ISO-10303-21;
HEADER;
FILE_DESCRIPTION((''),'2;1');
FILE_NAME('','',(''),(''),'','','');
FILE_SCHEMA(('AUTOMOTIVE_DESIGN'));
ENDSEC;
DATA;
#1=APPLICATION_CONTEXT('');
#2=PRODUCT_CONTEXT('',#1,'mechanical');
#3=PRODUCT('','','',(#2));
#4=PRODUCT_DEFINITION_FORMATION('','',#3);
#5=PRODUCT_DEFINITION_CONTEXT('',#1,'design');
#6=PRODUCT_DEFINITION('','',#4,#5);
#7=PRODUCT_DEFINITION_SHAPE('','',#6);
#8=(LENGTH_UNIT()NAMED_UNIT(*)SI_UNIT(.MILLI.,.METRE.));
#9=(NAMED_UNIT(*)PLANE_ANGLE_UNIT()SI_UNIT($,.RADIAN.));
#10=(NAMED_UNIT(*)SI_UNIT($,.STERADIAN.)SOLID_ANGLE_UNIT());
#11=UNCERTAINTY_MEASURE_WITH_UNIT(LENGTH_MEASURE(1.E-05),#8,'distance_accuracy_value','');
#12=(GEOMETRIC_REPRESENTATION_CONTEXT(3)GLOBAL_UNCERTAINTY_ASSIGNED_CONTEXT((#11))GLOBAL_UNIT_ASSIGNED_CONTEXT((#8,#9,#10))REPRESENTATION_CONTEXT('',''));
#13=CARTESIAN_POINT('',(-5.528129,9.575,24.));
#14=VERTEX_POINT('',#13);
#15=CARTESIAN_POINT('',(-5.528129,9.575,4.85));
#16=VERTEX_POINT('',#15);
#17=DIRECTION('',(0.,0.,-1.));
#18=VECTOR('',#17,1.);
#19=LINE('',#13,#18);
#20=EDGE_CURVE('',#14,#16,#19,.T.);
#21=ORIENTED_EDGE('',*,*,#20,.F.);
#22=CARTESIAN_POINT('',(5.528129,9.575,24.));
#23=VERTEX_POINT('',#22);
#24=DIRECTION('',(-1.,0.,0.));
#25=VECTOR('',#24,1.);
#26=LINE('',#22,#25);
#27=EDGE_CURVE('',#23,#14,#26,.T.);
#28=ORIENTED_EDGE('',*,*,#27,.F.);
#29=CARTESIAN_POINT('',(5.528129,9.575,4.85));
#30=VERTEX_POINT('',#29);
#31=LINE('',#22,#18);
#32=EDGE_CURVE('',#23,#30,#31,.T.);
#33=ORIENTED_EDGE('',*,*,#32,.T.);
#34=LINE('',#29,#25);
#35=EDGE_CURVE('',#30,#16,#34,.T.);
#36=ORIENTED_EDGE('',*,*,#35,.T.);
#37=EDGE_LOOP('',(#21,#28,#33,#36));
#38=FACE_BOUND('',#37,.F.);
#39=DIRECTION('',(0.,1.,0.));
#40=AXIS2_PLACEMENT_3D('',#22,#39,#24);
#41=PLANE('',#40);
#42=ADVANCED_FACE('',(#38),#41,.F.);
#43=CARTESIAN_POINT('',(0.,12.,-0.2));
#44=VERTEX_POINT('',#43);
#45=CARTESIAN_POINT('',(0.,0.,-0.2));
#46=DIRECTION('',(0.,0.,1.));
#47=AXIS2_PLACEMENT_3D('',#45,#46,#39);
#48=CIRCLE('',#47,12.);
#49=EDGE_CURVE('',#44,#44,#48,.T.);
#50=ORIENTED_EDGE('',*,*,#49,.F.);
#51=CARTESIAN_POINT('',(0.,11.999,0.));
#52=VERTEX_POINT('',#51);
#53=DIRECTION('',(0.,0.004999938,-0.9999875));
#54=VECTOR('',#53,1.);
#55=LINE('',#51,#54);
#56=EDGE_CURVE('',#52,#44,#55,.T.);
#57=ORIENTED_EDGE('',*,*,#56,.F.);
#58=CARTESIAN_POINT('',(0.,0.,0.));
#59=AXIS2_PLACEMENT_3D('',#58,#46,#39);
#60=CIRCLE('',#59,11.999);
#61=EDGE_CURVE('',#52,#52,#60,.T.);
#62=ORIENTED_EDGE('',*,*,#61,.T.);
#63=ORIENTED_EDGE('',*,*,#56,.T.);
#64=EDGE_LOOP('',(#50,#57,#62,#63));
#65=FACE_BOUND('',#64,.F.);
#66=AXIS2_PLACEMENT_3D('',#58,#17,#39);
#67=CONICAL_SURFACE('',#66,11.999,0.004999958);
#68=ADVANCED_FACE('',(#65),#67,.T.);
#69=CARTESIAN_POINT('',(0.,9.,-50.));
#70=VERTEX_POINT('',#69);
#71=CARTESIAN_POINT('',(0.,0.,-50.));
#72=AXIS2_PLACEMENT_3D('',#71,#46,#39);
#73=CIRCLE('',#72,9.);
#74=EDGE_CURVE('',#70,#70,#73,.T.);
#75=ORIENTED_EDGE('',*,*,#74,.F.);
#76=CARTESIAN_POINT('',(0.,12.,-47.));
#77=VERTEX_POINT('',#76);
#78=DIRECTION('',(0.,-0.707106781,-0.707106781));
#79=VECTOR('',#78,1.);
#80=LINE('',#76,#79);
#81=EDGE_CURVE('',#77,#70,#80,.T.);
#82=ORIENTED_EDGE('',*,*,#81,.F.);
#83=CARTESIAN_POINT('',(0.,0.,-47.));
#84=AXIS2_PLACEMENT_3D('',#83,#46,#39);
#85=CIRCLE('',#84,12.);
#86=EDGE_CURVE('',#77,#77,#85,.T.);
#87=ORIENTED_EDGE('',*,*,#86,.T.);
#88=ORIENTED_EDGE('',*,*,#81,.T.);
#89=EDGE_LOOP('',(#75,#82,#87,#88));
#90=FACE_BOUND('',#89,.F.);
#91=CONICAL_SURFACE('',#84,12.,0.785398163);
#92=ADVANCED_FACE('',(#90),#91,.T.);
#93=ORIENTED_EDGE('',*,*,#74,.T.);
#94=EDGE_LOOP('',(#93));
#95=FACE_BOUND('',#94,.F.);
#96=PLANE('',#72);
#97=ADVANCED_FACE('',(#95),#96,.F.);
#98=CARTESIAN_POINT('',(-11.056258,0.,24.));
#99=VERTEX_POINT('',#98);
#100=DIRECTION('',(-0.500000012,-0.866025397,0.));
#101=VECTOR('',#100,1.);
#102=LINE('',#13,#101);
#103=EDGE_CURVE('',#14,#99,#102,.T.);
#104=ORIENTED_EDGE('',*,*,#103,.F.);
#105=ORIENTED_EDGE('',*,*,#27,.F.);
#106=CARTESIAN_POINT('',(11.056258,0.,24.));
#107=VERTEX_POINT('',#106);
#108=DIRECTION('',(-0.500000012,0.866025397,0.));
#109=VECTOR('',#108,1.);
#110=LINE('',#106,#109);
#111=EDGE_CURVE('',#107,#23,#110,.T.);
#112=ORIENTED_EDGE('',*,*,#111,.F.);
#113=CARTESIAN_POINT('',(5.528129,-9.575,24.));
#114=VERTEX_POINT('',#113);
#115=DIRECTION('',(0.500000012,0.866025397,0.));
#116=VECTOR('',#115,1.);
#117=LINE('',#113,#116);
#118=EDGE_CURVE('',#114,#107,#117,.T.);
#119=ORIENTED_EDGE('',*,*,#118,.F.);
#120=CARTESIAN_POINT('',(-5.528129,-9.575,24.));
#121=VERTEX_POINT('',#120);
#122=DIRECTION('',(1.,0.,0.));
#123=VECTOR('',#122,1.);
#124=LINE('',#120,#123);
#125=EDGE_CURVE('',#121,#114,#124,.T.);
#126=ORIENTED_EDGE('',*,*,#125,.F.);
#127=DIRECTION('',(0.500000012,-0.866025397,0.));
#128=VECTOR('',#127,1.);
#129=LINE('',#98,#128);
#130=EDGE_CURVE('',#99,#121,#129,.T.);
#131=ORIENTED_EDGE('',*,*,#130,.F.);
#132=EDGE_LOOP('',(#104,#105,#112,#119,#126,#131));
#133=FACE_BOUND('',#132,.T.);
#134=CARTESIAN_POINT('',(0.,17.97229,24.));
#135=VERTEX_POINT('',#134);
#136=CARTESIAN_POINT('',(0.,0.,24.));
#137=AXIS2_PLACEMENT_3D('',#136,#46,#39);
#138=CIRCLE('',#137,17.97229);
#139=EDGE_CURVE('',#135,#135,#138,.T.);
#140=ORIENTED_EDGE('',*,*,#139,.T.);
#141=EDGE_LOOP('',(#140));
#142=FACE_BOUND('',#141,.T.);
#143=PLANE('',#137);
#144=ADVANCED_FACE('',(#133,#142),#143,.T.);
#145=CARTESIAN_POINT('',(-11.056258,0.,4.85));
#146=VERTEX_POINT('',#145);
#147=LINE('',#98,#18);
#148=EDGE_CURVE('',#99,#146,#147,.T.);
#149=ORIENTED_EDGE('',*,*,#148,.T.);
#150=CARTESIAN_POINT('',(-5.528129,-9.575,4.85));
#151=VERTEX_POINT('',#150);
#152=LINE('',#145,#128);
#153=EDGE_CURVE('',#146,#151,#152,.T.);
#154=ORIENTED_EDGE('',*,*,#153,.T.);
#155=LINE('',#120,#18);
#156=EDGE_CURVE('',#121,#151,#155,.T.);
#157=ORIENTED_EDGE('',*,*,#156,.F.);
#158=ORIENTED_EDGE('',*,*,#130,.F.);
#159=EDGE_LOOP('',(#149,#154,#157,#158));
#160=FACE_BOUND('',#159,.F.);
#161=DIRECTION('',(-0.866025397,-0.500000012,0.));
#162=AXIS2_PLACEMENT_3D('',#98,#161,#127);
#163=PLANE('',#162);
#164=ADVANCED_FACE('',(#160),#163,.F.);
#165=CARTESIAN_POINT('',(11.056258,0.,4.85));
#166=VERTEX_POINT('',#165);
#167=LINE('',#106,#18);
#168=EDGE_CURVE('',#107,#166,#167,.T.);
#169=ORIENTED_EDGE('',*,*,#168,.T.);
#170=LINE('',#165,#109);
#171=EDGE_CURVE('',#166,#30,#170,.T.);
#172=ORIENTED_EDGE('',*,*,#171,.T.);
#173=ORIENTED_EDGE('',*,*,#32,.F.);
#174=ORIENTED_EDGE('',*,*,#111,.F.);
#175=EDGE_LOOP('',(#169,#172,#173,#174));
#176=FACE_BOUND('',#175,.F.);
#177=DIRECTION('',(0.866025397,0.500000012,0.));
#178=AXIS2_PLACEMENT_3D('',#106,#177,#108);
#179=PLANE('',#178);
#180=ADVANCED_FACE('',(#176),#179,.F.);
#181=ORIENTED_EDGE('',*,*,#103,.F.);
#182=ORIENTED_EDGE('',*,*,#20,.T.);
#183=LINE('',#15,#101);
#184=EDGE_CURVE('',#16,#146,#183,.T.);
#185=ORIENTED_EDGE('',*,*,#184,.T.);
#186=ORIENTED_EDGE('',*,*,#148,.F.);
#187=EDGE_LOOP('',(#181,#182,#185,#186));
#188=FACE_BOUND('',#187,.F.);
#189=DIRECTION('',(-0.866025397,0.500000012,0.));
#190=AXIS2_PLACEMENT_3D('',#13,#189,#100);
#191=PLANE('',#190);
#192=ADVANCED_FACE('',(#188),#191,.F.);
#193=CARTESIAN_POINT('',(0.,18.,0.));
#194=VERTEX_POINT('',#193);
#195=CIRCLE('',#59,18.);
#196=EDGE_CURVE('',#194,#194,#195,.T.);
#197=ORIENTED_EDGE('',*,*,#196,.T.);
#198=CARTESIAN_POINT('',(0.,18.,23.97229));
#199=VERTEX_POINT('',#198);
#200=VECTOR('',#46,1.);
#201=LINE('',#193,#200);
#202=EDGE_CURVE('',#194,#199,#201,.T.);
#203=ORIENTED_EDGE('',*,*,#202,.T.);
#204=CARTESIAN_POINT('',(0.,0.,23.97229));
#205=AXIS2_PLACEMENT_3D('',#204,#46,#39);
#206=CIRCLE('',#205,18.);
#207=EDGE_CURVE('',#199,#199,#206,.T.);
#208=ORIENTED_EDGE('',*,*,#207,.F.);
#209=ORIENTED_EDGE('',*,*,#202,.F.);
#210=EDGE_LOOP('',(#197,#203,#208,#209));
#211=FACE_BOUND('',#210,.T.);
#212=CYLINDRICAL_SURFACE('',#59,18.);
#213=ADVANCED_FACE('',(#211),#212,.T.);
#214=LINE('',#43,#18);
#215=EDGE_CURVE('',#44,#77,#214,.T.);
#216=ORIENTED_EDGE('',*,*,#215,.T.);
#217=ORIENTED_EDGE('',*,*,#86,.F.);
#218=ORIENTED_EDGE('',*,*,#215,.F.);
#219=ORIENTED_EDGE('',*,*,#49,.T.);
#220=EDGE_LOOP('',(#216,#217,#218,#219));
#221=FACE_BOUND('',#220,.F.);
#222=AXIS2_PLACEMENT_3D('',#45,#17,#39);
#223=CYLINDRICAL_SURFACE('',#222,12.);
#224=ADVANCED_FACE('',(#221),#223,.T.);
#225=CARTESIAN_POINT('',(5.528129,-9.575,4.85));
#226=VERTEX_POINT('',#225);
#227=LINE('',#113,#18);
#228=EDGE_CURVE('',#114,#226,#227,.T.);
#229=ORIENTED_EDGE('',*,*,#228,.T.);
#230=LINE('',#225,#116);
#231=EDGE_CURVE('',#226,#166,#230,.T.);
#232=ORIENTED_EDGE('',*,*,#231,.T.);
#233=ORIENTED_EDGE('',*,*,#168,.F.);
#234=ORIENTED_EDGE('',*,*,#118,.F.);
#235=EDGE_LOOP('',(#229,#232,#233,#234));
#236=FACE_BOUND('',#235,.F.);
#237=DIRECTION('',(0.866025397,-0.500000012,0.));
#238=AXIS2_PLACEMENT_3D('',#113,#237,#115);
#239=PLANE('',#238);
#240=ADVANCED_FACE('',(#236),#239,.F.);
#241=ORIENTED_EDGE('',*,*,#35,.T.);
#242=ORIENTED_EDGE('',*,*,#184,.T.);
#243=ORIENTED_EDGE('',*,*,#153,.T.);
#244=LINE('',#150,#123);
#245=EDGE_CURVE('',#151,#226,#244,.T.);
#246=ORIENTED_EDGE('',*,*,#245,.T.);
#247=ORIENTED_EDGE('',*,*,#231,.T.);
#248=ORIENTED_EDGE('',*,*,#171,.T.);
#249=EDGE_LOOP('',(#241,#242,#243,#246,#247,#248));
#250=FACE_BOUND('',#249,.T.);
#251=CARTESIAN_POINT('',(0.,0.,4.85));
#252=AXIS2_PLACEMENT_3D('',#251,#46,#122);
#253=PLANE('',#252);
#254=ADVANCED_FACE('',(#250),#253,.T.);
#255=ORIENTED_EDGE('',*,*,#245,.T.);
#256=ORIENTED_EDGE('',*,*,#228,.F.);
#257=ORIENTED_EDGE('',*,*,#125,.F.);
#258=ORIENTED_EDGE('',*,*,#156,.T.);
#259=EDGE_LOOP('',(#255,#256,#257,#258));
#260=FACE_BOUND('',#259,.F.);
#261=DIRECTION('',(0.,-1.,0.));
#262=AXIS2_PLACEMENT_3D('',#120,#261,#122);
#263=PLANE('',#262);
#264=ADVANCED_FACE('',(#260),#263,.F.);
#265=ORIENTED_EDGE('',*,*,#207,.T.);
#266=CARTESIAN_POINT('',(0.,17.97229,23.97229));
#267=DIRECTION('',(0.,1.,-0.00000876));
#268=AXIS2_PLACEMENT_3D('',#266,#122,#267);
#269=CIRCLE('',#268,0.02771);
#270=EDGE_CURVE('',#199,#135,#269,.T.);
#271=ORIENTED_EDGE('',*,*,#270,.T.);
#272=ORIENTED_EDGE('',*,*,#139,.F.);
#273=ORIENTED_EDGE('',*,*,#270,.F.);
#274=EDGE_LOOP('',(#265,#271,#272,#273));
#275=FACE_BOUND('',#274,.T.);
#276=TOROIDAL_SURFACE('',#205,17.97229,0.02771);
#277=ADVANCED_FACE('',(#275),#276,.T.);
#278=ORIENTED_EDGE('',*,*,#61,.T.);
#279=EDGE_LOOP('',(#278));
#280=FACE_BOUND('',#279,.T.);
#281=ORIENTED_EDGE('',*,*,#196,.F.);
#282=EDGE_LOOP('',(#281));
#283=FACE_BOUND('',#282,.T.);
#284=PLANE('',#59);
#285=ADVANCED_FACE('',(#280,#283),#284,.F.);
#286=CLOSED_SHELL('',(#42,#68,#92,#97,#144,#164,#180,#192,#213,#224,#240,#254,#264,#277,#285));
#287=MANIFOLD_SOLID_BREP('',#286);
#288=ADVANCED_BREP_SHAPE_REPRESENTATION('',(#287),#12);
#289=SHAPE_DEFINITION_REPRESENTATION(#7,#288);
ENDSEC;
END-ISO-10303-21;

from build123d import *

# Parameters (mm, degrees)
POCKET_DEPTH = 19.15


with BuildPart() as part:
    # Sketch → Revolve (revolve)
    with BuildSketch(Plane.YZ):
        with BuildLine():
            Line((11.999, 0), (18, 0))
            Line((18, 0), (18, 23.97229))
            ThreePointArc((18, 23.97229), (17.991884, 23.991884), (17.97229, 24))
            Line((17.97229, 24), (0, 24))
            Line((0, -50), (0, 24))
            Line((9, -50), (0, -50))
            Line((12, -47), (9, -50))
            Line((12, -0.2), (12, -47))
            Line((11.999, 0), (12, -0.2))
        make_face()
    revolve(axis=Axis((0, 0, 0), (0, 0, 1)))

    # Sketch001 → Pocket (cut)
    with BuildSketch(Plane.XY.offset(24)):
        Polygon((11.056258, 0), (5.528129, 9.575), (-5.528129, 9.575), (-11.056258, 0), (-5.528129, -9.575), (5.528129, -9.575), align=None)
    extrude(amount=-POCKET_DEPTH, mode=Mode.SUBTRACT)


solid = part.part
